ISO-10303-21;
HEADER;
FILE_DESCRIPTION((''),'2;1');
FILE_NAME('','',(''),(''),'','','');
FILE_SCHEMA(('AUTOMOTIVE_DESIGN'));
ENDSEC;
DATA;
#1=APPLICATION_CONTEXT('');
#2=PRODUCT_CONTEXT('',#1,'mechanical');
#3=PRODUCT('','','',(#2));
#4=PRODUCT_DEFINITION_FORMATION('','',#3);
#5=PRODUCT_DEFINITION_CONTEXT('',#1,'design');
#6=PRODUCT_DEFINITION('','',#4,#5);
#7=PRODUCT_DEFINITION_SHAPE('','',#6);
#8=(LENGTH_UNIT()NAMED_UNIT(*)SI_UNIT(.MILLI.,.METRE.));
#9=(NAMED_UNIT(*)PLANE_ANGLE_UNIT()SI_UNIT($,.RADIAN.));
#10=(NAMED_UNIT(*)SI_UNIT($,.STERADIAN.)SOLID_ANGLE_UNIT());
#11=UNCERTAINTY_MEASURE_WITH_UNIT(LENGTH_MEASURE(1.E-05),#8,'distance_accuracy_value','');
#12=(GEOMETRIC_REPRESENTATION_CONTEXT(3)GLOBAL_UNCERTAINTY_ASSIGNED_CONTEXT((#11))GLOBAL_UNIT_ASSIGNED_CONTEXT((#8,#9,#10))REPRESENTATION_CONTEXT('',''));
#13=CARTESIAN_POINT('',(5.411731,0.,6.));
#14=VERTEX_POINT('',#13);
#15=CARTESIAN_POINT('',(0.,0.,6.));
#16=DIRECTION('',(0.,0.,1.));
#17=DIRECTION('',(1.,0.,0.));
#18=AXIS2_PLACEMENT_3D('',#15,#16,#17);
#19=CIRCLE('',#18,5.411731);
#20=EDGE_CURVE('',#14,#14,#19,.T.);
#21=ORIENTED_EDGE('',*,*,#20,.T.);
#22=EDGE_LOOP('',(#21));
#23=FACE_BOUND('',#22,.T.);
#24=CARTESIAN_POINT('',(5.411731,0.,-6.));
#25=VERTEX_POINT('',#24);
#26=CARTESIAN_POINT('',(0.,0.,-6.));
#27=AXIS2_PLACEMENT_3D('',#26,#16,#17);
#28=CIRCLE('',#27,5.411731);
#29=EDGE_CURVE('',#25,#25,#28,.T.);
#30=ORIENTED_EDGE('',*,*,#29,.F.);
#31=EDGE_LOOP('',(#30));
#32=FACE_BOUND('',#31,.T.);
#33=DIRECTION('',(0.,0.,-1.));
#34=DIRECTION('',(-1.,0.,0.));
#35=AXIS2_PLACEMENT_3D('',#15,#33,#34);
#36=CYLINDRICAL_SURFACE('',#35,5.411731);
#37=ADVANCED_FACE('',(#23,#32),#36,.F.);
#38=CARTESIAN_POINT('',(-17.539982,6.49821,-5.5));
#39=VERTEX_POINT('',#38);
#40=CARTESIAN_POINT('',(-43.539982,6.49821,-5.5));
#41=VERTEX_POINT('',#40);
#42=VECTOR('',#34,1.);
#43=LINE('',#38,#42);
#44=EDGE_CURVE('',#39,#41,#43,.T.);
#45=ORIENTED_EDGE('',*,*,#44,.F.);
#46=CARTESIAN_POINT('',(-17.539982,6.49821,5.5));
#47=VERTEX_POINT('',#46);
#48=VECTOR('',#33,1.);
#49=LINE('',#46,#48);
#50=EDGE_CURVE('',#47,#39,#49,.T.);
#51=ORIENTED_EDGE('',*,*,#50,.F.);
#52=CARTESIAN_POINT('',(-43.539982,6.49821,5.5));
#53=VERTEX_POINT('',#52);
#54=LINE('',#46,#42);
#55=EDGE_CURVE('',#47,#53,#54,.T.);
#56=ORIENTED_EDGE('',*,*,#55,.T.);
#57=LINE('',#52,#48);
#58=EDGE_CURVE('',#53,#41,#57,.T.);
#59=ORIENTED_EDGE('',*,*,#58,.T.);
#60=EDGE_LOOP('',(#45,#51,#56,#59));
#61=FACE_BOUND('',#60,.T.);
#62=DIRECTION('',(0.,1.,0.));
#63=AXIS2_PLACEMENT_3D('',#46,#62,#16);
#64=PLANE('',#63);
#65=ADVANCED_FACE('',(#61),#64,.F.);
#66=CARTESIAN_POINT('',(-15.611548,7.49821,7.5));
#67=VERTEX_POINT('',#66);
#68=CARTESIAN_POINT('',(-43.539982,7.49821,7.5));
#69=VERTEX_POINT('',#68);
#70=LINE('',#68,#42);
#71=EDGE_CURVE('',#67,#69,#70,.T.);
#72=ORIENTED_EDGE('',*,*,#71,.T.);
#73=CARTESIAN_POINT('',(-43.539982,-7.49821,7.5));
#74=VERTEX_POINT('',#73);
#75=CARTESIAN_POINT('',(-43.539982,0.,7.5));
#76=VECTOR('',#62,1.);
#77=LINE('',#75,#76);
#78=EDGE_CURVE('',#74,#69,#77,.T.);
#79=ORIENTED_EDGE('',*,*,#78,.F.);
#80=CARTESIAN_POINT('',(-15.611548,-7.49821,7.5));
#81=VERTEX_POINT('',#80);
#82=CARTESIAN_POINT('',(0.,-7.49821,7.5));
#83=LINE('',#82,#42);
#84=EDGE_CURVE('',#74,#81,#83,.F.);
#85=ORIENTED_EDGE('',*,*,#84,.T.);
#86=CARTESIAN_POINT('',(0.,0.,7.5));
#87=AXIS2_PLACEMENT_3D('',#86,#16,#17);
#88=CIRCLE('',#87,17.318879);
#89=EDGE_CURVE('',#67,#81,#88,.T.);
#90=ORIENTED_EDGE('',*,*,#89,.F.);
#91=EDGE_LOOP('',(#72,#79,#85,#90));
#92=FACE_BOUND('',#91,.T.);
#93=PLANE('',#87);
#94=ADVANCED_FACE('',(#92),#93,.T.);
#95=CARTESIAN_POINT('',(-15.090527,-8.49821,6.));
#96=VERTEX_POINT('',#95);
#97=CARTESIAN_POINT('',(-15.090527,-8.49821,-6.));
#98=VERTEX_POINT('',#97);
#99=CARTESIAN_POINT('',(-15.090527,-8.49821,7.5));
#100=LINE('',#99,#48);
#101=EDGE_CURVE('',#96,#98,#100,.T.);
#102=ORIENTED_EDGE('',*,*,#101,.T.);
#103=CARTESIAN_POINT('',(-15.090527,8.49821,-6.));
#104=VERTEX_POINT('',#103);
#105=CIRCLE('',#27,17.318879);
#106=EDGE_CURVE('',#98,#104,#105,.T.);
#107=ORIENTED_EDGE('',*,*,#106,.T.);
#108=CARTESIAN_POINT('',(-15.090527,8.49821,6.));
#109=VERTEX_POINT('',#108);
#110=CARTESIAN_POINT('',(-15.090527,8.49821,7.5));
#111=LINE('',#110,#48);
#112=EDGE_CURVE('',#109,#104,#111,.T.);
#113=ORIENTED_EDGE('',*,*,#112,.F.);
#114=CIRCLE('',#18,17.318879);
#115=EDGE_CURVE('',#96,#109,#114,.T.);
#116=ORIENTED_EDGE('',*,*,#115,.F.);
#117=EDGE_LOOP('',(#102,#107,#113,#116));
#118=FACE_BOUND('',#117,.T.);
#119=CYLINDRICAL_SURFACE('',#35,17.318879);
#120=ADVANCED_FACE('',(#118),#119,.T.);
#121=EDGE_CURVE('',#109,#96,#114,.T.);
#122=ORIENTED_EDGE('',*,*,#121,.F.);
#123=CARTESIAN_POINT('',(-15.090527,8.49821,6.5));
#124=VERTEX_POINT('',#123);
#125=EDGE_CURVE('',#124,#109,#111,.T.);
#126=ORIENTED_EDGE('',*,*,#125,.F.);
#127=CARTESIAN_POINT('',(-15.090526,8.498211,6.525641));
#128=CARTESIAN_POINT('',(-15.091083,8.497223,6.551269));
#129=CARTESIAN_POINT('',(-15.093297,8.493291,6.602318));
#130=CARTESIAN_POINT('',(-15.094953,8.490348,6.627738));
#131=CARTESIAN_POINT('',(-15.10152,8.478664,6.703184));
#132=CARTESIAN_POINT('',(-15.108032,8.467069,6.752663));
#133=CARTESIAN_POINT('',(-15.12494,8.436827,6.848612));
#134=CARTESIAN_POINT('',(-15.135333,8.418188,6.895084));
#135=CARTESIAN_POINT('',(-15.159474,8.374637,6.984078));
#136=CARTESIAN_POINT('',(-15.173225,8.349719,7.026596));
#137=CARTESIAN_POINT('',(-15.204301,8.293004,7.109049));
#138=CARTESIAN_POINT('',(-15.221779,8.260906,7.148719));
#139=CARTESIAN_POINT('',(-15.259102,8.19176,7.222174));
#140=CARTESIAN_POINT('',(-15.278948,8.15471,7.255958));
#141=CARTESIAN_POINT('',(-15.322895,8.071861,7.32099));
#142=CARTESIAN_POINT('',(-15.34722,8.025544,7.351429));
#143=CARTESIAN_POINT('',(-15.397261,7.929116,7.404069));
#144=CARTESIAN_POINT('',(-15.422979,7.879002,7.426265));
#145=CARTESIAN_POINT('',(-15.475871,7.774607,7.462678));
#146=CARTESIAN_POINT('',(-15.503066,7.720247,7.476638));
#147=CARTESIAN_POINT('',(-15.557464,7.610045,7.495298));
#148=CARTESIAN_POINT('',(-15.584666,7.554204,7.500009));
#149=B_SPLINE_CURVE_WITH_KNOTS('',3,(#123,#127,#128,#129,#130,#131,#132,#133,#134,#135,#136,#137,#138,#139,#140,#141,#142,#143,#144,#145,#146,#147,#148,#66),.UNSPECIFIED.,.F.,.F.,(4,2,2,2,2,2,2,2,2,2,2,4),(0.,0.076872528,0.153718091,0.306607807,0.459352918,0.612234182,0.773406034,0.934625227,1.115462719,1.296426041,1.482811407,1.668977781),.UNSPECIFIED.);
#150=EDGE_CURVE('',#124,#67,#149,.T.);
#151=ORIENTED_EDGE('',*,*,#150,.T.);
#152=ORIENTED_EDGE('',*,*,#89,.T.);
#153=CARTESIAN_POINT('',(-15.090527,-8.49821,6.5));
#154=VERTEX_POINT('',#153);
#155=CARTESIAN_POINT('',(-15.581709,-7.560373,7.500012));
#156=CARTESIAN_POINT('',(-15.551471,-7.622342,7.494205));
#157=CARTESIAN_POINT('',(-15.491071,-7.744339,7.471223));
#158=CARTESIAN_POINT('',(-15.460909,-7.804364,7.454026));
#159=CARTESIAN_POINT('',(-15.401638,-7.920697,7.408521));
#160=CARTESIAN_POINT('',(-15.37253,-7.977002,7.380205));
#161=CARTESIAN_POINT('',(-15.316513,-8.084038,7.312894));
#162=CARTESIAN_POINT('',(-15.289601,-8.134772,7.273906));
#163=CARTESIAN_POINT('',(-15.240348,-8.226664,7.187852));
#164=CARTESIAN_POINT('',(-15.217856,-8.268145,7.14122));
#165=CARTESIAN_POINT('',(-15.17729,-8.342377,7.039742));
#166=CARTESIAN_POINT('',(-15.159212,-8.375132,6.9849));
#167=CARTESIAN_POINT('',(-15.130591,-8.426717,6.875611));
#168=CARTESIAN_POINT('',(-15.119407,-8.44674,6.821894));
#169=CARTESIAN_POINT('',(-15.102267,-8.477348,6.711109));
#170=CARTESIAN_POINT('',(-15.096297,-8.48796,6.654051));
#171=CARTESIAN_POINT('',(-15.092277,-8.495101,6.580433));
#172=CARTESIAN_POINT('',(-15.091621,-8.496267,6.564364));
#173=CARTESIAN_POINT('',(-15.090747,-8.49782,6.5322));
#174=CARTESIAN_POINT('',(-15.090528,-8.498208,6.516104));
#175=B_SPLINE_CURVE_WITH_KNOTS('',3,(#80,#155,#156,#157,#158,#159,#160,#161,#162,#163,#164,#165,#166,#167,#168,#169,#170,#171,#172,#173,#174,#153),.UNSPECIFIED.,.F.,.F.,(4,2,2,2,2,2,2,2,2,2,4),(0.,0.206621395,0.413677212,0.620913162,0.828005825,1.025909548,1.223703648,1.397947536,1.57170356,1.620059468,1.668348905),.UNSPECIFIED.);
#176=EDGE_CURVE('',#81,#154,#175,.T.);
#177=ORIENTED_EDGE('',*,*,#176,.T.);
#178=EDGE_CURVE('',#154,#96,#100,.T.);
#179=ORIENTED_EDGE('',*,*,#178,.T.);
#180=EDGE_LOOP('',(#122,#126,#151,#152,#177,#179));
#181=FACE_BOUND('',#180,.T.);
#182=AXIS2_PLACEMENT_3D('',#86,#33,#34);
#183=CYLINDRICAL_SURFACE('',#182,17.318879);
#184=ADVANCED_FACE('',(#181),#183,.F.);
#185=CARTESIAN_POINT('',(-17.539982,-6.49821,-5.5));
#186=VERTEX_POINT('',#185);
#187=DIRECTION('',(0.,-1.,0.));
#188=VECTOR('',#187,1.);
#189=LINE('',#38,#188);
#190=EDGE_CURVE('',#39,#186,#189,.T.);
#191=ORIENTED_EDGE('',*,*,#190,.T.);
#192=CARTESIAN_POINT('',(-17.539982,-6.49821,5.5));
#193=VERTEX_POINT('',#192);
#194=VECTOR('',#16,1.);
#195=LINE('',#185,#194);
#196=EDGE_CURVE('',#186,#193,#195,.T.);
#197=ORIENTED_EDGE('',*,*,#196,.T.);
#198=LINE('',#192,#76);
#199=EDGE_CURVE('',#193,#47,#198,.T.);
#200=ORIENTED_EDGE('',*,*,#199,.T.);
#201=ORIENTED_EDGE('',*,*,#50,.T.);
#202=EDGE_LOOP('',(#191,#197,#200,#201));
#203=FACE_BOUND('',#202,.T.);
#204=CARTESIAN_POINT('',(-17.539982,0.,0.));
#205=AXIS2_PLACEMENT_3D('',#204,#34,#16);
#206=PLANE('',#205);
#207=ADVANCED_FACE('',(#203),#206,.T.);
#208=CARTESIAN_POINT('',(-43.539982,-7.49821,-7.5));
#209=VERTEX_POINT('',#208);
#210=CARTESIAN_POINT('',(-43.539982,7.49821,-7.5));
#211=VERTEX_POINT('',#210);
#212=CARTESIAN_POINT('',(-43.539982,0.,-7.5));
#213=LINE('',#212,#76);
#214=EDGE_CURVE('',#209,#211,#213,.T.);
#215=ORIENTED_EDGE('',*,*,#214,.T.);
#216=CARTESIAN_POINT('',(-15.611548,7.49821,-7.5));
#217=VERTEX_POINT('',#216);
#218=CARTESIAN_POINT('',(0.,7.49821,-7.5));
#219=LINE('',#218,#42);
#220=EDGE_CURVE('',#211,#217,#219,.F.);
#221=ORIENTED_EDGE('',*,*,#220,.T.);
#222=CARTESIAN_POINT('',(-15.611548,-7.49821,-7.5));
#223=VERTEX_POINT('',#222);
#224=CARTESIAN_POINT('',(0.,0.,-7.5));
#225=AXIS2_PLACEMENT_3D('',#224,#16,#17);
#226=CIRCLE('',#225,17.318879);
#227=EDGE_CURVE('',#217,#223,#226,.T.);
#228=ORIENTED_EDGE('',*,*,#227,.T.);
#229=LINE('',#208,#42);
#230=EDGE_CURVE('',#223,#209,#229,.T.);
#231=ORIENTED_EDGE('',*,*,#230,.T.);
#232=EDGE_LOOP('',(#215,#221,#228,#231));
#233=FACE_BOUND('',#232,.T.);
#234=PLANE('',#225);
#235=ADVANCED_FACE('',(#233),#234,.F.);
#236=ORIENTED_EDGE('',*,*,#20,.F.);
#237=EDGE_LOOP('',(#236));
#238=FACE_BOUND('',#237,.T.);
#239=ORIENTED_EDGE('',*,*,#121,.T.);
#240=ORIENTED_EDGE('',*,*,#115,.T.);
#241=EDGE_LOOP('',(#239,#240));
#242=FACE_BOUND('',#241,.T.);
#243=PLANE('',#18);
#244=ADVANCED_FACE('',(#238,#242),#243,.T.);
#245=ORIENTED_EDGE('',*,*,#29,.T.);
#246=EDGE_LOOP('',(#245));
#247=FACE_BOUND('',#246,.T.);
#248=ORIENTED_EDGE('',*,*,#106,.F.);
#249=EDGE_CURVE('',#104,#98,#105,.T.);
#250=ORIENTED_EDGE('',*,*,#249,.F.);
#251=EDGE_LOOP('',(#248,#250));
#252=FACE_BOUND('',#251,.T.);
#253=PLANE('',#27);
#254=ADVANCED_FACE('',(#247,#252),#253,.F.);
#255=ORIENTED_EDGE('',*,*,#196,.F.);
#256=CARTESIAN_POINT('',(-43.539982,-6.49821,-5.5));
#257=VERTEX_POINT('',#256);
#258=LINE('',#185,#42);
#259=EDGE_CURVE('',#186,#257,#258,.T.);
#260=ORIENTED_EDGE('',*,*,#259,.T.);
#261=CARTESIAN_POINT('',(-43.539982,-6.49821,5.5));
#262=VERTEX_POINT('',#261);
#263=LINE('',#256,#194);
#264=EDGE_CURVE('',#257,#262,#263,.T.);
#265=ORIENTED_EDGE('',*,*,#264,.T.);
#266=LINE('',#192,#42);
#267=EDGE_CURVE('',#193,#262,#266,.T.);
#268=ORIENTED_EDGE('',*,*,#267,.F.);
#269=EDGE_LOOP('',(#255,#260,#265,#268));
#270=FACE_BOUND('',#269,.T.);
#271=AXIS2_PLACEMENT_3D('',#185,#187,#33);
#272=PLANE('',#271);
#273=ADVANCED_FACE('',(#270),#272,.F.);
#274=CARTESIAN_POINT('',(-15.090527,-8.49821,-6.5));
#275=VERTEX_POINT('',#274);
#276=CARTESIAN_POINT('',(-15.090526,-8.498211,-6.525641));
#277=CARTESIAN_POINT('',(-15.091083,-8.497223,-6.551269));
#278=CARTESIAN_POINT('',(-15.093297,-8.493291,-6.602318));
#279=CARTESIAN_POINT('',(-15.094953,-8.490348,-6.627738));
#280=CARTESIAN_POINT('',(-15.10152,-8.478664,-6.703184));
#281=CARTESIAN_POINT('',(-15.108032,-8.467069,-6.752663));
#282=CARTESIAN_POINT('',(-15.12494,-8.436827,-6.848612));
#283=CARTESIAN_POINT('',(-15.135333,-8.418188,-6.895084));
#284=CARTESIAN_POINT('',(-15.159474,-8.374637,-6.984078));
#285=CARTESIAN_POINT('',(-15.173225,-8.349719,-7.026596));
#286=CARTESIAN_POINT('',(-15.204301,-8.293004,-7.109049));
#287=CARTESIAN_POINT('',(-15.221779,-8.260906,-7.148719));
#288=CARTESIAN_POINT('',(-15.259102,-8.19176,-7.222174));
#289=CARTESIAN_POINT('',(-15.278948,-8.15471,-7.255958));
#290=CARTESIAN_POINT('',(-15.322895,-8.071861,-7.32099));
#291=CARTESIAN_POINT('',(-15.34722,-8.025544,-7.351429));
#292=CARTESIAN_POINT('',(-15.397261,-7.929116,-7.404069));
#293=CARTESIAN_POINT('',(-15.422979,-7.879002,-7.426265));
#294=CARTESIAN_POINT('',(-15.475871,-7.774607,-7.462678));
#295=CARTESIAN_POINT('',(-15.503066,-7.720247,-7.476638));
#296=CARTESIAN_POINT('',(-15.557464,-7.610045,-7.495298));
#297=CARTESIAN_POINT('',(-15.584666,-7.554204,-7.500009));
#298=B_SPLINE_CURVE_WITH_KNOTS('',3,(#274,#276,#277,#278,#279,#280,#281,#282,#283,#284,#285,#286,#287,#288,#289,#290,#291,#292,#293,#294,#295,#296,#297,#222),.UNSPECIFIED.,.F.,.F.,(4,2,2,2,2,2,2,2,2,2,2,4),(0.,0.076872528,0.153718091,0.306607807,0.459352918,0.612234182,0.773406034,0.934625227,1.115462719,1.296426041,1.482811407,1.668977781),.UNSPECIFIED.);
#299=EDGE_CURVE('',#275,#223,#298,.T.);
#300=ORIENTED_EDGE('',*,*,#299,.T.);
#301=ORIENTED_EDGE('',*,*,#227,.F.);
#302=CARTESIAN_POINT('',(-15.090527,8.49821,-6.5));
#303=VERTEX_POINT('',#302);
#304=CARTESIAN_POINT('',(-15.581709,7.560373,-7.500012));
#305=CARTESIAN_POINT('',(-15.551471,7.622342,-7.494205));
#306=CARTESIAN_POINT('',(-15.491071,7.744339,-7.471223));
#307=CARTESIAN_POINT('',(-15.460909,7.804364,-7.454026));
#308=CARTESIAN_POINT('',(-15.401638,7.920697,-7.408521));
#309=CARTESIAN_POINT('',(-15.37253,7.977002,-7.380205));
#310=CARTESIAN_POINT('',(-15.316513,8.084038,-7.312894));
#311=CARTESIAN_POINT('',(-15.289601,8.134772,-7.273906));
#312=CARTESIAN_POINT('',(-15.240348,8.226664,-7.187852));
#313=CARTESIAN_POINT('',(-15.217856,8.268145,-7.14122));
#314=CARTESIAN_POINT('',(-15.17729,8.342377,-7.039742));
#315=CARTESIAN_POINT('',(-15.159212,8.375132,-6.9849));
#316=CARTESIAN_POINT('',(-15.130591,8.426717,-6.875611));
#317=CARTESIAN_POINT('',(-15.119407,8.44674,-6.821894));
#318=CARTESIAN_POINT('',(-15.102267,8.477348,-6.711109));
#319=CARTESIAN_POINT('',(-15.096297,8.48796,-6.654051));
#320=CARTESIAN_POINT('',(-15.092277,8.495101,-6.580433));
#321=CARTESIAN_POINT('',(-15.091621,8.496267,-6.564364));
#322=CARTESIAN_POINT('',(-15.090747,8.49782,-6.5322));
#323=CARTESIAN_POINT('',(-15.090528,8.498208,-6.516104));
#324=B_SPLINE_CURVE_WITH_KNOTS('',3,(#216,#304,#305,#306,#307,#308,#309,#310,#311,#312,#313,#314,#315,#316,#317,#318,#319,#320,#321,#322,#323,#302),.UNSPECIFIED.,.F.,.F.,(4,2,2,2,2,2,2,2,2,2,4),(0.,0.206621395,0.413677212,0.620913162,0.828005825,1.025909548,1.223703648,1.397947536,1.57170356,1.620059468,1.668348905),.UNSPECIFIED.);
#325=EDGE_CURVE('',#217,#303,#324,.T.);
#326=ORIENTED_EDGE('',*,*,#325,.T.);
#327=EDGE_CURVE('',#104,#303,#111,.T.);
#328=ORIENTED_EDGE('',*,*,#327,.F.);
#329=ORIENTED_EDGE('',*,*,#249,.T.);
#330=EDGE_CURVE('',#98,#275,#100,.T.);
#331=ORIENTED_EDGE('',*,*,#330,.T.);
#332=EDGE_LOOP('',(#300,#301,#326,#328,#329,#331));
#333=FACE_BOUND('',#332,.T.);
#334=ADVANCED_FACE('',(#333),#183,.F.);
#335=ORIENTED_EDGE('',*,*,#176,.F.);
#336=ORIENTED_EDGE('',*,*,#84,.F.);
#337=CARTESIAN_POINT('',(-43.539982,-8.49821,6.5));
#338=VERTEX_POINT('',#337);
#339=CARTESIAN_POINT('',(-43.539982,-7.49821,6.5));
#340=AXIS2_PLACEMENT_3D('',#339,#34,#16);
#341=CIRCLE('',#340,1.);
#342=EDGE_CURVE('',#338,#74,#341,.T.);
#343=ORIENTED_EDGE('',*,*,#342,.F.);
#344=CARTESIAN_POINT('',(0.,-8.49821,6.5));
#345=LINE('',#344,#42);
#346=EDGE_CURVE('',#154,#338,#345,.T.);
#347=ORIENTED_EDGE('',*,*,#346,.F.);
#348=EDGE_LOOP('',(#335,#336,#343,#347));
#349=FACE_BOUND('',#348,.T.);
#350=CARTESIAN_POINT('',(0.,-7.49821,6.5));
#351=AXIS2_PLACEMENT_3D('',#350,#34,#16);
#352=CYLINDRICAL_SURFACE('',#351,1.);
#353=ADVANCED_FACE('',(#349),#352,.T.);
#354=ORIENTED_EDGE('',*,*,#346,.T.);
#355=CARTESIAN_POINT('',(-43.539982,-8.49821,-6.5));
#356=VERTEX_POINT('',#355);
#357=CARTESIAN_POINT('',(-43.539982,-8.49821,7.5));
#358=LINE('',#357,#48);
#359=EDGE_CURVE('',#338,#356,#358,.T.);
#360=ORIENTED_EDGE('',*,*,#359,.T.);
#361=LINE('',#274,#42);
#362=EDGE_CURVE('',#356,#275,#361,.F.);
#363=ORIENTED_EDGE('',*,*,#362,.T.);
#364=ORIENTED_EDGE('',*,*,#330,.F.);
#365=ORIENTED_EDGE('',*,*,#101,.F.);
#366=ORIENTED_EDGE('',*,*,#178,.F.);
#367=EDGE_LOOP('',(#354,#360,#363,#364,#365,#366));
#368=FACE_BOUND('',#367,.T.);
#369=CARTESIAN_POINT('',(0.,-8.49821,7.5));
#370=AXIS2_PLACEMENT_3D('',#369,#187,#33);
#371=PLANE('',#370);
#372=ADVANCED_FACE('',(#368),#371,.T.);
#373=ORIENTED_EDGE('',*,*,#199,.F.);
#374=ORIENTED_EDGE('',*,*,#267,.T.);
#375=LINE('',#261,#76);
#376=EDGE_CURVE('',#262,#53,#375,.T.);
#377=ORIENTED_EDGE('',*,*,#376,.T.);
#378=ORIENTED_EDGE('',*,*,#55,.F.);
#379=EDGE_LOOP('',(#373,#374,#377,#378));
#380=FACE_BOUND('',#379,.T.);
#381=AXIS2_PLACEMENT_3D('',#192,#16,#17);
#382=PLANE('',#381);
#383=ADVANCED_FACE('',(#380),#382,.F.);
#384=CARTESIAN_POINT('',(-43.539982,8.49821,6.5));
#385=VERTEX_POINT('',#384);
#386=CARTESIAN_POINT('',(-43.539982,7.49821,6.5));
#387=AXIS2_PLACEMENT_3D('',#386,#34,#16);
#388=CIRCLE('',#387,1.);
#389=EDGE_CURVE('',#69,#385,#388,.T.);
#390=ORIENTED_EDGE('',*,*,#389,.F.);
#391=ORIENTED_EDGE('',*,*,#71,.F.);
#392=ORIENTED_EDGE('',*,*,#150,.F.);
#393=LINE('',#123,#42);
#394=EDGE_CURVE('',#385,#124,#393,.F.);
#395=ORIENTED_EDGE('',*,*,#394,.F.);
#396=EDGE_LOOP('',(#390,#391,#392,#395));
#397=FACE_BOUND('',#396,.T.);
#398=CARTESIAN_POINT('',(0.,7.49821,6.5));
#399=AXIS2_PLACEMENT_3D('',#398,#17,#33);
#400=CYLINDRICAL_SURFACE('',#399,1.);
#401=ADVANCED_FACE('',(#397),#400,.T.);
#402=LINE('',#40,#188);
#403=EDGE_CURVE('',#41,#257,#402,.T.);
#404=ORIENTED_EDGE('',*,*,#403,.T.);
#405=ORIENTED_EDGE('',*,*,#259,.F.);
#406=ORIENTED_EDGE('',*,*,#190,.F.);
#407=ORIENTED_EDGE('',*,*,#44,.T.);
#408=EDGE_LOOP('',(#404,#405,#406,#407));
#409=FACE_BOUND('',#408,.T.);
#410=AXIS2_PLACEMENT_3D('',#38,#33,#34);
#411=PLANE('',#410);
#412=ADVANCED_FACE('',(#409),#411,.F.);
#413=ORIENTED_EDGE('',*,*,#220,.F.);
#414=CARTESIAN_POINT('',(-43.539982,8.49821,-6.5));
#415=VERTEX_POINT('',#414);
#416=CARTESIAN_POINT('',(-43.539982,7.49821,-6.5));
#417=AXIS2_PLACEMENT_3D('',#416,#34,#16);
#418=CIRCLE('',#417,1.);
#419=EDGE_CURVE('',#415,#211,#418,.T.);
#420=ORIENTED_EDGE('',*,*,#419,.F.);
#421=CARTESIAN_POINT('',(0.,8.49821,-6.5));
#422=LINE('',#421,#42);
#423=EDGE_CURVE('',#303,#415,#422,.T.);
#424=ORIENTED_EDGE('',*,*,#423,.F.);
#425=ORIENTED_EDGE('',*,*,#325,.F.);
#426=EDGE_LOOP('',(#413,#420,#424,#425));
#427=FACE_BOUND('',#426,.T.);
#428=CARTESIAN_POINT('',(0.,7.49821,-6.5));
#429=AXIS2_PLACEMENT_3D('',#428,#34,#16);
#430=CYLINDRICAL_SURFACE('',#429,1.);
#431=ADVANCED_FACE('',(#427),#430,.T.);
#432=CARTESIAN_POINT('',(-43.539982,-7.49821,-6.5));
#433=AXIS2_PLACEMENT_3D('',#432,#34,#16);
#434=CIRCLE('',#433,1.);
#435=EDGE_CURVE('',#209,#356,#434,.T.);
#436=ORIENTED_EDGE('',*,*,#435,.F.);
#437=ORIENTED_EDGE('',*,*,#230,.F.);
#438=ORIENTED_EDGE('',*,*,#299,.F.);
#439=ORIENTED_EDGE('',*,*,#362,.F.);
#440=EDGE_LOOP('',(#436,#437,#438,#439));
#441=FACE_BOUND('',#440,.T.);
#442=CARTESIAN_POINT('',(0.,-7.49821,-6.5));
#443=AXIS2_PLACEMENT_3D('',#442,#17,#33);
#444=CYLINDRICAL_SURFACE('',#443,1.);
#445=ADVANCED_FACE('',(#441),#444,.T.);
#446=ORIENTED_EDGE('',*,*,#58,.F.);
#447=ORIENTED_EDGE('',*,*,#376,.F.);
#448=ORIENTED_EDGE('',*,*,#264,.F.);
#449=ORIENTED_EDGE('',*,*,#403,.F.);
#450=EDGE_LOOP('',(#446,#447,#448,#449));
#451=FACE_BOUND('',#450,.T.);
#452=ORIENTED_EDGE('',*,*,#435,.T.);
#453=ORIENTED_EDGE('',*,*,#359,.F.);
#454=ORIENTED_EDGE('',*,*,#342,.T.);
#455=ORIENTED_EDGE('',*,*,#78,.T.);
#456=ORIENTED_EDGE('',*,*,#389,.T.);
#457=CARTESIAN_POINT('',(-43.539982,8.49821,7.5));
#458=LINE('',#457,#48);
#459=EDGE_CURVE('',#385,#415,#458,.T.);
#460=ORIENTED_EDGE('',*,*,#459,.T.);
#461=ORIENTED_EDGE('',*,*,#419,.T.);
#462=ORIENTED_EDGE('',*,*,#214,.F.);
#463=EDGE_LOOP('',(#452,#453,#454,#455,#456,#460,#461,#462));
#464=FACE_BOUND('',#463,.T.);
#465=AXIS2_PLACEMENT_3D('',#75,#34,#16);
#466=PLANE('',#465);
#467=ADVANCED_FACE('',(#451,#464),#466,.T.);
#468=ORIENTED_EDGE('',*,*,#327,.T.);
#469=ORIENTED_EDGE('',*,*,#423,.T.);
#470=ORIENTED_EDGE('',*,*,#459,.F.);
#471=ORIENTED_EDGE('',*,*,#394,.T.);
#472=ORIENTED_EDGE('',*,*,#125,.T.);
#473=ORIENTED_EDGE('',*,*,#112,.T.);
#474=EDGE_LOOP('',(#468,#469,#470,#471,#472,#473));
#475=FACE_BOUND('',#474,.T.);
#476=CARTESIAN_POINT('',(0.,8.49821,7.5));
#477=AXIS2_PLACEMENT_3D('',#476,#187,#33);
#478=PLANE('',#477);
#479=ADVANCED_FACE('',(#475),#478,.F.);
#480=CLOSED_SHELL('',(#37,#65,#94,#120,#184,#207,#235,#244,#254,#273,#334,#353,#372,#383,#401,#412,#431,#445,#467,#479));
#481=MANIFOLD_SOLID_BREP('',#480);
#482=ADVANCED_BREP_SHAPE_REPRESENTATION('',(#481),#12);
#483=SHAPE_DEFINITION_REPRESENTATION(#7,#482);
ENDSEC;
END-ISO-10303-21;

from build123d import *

# Parameters (mm, degrees)
SKETCH1_R           = 17.318879346
SKETCH1_R_2         = 5.411731441
BOSS_EXTRUDE1_DEPTH = 6
BOSS_EXTRUDE2_DEPTH = 7.5
SKETCH2_W           = 11
SKETCH2_H           = 12.996419178
CUT_EXTRUDE1_DEPTH  = 26
FILLET1_R           = 1


with BuildPart() as part:
    # Sketch1 → Boss-Extrude1 (new body, symmetric)
    with BuildSketch(Plane.XY):
        Circle(SKETCH1_R)
        Circle(SKETCH1_R_2, mode=Mode.SUBTRACT)
    extrude(amount=BOSS_EXTRUDE1_DEPTH, both=True)

    # Sketch1_3 → Boss-Extrude2 (add, symmetric)
    with BuildSketch(Plane.XY):
        with BuildLine():
            Line((-43.539982068, -8.498209589), (-15.090527346, -8.498209589))
            ThreePointArc((-15.090527346, -8.498209589), (-17.318879346, 0), (-15.090527346, 8.498209589))
            Line((-15.090527346, 8.498209589), (-43.539982068, 8.498209589))
            Line((-43.539982068, 8.498209589), (-43.539982068, -8.498209589))
        make_face()
    extrude(amount=BOSS_EXTRUDE2_DEPTH, both=True)

    # Sketch2 → Cut-Extrude1 (cut)
    with BuildSketch(Plane.ZY.offset(43.539982068)):
        Rectangle(SKETCH2_W, SKETCH2_H)
    extrude(amount=-CUT_EXTRUDE1_DEPTH, mode=Mode.SUBTRACT)

    # Fillet1
    fillet1_edges = [part.edges().sort_by_distance(p)[0] for p in [
        (-29.315254707, 8.498209589, -7.5),
        (-29.315254707, -8.498209589, 7.5),
        (-29.315254707, 8.498209589, 7.5),
        (-29.315254707, -8.498209589, -7.5),
    ]]
    fillet(fillet1_edges, radius=FILLET1_R)


solid = part.part
